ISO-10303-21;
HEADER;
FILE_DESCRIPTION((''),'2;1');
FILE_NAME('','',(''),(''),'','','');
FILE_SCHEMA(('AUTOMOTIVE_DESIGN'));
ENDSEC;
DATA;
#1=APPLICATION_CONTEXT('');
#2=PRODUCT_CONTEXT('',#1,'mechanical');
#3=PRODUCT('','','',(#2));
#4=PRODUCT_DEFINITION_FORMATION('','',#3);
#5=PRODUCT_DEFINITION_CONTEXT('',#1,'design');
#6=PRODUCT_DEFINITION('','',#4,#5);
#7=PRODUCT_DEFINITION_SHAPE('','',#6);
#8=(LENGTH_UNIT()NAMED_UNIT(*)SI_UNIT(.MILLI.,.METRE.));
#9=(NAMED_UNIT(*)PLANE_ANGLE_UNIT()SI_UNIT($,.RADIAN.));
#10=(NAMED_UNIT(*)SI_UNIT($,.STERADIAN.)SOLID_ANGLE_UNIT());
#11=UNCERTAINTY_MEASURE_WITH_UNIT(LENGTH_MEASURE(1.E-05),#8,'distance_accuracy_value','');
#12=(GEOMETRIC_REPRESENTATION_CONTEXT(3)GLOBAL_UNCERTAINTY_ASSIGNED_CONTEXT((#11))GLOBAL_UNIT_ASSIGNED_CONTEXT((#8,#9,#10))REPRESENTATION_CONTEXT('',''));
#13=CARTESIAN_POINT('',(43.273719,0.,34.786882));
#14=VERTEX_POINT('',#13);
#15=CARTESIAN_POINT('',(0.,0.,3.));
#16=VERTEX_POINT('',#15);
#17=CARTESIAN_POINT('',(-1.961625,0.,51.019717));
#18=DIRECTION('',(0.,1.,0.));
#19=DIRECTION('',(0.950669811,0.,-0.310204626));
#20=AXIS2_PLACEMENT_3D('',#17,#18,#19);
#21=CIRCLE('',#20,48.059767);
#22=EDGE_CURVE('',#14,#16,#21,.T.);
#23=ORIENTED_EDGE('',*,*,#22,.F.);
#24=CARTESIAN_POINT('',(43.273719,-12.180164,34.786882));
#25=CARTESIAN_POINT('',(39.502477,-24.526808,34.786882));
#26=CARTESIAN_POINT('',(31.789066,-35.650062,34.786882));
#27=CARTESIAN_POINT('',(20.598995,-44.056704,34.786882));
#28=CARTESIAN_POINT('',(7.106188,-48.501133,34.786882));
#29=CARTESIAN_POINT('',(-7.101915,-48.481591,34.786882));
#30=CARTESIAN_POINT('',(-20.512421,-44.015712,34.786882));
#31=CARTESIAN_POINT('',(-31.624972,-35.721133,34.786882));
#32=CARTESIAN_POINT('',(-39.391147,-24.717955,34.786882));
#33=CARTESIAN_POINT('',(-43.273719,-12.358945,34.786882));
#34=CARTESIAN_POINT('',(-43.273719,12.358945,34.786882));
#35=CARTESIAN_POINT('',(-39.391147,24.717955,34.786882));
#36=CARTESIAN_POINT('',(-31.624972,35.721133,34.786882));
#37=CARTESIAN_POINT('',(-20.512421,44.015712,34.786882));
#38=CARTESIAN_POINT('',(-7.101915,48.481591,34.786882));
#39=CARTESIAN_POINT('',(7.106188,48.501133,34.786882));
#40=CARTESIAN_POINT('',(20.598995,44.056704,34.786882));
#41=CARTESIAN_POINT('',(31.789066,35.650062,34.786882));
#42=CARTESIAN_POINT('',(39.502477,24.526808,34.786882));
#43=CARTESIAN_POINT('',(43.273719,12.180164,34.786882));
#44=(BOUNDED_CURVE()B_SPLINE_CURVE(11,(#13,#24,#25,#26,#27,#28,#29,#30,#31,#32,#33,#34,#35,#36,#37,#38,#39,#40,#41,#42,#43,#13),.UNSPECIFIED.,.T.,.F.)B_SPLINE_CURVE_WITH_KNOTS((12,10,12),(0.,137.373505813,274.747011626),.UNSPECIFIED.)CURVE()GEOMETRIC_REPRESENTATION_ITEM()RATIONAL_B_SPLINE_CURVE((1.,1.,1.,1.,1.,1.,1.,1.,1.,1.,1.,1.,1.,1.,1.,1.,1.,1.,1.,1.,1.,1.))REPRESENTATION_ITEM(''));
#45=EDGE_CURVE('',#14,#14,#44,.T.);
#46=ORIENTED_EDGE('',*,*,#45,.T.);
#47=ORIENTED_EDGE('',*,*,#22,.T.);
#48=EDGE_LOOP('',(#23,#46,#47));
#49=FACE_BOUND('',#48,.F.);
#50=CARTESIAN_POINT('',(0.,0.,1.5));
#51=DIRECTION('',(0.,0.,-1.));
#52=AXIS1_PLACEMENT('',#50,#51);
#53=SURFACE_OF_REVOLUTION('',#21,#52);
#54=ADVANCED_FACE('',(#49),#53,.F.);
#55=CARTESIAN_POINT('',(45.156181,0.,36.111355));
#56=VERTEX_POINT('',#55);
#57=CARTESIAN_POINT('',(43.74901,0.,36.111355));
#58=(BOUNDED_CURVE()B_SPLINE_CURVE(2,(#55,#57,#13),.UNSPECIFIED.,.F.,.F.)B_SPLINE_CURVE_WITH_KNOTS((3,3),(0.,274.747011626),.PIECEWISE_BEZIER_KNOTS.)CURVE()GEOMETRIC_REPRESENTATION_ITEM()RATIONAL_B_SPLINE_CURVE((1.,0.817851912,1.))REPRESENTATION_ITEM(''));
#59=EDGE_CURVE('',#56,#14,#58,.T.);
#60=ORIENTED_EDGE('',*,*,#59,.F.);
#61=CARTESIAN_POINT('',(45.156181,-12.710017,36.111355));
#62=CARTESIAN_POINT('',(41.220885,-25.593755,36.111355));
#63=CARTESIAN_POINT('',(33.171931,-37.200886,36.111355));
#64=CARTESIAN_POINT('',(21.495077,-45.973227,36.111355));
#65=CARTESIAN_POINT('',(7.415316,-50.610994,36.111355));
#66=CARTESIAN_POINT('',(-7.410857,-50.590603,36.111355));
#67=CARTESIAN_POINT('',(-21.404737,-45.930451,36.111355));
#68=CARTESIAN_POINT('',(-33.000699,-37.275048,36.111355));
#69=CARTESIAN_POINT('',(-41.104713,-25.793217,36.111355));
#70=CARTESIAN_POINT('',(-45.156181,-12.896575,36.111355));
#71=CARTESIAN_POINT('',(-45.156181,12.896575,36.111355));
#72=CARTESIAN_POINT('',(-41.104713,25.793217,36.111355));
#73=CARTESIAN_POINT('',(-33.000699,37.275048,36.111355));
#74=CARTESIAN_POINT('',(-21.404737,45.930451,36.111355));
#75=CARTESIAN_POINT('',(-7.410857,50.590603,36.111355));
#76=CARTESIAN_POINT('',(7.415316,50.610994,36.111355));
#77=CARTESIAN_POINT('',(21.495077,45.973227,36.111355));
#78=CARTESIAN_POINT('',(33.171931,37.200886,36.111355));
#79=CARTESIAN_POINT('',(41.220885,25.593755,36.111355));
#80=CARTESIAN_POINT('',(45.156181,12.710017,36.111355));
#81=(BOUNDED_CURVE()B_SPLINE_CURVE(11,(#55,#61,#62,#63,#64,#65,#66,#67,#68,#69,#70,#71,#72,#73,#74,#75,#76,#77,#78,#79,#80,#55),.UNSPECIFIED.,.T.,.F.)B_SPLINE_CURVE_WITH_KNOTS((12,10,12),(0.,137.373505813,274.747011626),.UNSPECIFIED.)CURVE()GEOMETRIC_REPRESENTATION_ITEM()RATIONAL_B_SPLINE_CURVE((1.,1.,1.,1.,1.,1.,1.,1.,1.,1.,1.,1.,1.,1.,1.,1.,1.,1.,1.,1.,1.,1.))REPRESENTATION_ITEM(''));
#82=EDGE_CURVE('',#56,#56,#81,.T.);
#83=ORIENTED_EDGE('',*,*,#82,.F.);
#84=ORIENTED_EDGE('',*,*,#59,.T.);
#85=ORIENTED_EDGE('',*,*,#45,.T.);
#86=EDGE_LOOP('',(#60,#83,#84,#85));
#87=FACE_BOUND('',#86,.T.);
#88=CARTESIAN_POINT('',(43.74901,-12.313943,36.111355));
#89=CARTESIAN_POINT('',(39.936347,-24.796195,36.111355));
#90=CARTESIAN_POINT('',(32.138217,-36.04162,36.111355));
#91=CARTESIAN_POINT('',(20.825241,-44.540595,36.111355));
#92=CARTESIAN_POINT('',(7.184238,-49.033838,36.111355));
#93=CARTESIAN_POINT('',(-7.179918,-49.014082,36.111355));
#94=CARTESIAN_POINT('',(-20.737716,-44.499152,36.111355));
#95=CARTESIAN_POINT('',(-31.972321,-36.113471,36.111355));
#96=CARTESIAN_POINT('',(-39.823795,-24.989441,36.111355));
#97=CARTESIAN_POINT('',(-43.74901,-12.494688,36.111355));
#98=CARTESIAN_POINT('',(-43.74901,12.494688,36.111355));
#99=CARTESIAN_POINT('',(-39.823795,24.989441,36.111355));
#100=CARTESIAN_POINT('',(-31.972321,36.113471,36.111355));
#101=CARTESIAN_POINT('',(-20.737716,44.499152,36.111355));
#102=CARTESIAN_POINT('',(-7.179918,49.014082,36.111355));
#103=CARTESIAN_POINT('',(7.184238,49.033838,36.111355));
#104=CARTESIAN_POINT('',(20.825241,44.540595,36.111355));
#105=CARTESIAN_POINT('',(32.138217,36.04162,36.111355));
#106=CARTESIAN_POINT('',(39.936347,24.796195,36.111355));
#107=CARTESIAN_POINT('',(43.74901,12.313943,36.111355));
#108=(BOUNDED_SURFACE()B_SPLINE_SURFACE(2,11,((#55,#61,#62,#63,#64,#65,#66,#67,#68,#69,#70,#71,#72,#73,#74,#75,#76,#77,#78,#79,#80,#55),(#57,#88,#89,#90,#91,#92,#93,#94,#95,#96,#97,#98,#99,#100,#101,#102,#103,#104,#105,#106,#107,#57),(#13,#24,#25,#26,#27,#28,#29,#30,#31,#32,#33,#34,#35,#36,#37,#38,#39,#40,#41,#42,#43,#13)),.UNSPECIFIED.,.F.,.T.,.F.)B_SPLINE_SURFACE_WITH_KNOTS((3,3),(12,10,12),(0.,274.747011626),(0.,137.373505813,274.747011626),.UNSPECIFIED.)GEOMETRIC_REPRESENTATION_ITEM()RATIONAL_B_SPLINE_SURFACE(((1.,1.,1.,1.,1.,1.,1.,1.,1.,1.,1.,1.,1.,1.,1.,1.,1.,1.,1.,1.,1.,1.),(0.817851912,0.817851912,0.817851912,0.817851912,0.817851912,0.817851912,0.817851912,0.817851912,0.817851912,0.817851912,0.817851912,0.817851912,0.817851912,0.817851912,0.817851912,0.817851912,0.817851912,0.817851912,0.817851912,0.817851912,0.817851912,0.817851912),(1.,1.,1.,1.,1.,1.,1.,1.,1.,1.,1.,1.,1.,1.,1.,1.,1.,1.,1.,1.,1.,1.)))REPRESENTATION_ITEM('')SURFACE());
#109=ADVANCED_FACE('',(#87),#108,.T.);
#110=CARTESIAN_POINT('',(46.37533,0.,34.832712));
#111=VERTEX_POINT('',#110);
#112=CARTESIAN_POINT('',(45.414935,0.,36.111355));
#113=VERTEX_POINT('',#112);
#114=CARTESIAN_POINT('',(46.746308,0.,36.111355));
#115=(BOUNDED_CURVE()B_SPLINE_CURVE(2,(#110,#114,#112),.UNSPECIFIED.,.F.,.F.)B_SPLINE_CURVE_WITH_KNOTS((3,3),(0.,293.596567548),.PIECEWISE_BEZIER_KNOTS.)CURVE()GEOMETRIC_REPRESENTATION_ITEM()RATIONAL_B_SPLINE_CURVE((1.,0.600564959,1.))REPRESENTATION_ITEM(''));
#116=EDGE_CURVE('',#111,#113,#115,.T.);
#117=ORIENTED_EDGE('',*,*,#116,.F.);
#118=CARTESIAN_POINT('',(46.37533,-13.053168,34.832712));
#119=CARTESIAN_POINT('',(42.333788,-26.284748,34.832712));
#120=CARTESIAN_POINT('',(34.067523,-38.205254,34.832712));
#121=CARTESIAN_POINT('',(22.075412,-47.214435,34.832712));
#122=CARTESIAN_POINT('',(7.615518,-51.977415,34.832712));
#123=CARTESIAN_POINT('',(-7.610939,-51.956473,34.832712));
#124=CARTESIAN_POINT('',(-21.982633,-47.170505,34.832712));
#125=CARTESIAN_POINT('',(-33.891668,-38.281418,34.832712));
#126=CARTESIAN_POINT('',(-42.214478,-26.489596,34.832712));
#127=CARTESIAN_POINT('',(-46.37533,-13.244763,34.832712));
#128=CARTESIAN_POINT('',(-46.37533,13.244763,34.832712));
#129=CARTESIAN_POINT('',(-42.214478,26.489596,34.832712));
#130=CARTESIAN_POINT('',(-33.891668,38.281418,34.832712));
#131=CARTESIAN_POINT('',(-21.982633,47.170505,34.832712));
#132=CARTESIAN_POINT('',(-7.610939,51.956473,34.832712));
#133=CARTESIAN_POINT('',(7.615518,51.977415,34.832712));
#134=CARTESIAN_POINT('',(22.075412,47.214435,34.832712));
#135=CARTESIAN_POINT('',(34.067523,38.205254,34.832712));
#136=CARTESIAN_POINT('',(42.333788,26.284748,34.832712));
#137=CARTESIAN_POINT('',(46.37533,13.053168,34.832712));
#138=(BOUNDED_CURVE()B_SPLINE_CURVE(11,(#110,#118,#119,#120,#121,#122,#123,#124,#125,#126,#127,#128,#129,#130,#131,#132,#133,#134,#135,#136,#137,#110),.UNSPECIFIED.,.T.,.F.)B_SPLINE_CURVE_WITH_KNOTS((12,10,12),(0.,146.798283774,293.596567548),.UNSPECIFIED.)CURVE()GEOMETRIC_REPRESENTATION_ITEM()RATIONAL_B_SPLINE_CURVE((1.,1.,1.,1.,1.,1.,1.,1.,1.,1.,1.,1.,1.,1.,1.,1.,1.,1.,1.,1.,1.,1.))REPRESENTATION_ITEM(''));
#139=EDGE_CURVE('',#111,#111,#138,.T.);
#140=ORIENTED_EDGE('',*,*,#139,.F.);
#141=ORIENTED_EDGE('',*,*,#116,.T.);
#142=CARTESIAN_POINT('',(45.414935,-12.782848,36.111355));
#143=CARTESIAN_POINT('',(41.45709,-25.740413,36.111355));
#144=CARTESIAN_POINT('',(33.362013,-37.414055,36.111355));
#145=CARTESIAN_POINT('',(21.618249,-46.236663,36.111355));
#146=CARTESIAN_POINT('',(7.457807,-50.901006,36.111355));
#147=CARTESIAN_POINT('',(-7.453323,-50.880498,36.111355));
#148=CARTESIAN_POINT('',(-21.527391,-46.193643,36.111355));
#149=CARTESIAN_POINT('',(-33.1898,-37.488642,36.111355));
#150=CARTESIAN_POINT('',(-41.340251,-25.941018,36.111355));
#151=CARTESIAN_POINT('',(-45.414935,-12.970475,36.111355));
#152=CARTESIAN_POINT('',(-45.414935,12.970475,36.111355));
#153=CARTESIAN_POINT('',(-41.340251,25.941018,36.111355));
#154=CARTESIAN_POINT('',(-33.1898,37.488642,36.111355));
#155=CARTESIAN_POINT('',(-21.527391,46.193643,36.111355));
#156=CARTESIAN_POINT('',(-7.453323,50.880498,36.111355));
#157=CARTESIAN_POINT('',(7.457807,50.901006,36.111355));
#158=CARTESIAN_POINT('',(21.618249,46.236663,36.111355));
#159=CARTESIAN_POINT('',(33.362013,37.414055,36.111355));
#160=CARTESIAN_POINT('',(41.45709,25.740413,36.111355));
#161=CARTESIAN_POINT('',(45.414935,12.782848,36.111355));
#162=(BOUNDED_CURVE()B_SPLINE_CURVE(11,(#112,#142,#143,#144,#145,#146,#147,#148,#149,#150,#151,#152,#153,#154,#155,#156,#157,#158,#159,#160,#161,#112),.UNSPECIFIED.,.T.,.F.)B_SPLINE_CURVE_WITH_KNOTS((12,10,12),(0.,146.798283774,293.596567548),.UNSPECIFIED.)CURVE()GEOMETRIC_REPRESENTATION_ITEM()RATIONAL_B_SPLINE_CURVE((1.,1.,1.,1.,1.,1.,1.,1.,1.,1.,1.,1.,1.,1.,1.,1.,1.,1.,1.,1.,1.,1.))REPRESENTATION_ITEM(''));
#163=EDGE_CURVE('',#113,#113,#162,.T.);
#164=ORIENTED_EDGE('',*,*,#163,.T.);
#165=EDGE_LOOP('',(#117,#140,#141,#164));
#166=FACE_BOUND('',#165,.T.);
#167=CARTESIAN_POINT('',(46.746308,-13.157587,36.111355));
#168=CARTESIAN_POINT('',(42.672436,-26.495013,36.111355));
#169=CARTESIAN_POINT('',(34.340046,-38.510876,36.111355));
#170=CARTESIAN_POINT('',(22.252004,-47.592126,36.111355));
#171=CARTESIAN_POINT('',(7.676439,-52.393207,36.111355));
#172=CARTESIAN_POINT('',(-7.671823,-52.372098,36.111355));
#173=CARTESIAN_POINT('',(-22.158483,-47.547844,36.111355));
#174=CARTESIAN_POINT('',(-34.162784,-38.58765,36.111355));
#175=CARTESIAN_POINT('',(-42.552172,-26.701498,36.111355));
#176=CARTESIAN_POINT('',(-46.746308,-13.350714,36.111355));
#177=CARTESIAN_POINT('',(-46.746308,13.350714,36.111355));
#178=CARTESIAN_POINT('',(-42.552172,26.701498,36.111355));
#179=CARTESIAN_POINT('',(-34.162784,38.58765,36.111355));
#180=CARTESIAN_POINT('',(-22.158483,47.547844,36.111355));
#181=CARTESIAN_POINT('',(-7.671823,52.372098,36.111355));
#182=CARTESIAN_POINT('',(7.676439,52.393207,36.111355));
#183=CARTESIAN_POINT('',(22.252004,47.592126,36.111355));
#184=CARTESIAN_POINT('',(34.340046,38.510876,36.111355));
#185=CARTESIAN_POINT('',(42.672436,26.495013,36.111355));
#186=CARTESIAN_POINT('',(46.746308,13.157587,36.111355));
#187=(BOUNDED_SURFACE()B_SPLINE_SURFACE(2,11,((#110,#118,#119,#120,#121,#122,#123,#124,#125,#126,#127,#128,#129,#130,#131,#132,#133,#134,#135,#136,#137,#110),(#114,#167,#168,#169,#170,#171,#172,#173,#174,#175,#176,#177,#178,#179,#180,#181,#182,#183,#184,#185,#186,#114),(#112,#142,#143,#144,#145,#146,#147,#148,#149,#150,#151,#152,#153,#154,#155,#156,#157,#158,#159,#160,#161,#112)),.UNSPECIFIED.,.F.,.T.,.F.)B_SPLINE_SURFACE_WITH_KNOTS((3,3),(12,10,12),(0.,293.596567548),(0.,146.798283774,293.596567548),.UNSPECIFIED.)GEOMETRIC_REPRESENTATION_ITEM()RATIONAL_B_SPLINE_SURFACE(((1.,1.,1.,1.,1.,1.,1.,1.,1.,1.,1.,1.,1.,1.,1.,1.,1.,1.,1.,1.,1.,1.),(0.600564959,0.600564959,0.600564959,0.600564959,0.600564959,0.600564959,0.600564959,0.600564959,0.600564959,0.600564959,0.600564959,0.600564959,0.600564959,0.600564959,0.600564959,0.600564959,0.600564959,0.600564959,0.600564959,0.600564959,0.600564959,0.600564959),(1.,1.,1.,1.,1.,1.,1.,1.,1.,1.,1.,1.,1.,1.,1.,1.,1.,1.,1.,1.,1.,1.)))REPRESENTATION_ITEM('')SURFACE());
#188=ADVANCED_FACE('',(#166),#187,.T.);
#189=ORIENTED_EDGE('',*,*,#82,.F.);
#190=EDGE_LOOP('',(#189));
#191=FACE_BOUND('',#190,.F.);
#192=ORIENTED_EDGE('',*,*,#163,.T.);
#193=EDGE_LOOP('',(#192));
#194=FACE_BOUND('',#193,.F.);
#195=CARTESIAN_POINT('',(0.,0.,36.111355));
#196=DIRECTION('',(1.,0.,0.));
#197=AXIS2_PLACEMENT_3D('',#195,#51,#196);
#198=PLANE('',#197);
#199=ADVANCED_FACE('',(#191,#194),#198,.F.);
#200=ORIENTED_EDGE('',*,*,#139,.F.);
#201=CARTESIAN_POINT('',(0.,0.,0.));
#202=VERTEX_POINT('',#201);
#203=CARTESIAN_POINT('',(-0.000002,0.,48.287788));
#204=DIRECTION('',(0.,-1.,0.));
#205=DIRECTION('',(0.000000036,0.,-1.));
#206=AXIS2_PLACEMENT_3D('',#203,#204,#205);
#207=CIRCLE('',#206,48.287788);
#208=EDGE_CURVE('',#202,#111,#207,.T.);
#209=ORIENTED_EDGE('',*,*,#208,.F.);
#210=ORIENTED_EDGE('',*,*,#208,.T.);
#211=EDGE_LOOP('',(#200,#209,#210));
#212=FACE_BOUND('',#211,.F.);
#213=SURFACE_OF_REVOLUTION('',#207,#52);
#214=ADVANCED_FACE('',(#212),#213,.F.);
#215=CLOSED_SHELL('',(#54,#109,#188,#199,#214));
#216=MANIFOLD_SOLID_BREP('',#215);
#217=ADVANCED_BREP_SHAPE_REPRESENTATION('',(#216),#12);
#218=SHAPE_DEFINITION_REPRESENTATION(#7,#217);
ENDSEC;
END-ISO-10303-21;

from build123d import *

# Parameters (mm, degrees)
F2_R = 1
F3_R = 2


with BuildPart() as f1:
    # F0 (on Front) → F1 (revolve)
    with BuildSketch(Plane.XZ):
        with BuildLine():
            Line((0, 3), (0, 0))
            ThreePointArc((0, 0), (29.527422, 10.079913), (46.727345, 36.111355))
            Line((46.727345, 36.111355), (43.727345, 36.111355))
            ThreePointArc((43.727345, 36.111355), (27.051049, 12.705151), (0, 3))
        make_face()
    revolve(axis=Axis((0, 0, 1.5), (0, 0, -1)))

    # F2
    f2_edges = [f1.edges().sort_by_distance(p)[0] for p in [
        (-46.727345, 0, 36.111355),
    ]]
    fillet(f2_edges, radius=F2_R)

    # F3
    f3_edges = [f1.edges().sort_by_distance(p)[0] for p in [
        (-43.727345, 0, 36.111355),
    ]]
    fillet(f3_edges, radius=F3_R)


solid = f1.part
